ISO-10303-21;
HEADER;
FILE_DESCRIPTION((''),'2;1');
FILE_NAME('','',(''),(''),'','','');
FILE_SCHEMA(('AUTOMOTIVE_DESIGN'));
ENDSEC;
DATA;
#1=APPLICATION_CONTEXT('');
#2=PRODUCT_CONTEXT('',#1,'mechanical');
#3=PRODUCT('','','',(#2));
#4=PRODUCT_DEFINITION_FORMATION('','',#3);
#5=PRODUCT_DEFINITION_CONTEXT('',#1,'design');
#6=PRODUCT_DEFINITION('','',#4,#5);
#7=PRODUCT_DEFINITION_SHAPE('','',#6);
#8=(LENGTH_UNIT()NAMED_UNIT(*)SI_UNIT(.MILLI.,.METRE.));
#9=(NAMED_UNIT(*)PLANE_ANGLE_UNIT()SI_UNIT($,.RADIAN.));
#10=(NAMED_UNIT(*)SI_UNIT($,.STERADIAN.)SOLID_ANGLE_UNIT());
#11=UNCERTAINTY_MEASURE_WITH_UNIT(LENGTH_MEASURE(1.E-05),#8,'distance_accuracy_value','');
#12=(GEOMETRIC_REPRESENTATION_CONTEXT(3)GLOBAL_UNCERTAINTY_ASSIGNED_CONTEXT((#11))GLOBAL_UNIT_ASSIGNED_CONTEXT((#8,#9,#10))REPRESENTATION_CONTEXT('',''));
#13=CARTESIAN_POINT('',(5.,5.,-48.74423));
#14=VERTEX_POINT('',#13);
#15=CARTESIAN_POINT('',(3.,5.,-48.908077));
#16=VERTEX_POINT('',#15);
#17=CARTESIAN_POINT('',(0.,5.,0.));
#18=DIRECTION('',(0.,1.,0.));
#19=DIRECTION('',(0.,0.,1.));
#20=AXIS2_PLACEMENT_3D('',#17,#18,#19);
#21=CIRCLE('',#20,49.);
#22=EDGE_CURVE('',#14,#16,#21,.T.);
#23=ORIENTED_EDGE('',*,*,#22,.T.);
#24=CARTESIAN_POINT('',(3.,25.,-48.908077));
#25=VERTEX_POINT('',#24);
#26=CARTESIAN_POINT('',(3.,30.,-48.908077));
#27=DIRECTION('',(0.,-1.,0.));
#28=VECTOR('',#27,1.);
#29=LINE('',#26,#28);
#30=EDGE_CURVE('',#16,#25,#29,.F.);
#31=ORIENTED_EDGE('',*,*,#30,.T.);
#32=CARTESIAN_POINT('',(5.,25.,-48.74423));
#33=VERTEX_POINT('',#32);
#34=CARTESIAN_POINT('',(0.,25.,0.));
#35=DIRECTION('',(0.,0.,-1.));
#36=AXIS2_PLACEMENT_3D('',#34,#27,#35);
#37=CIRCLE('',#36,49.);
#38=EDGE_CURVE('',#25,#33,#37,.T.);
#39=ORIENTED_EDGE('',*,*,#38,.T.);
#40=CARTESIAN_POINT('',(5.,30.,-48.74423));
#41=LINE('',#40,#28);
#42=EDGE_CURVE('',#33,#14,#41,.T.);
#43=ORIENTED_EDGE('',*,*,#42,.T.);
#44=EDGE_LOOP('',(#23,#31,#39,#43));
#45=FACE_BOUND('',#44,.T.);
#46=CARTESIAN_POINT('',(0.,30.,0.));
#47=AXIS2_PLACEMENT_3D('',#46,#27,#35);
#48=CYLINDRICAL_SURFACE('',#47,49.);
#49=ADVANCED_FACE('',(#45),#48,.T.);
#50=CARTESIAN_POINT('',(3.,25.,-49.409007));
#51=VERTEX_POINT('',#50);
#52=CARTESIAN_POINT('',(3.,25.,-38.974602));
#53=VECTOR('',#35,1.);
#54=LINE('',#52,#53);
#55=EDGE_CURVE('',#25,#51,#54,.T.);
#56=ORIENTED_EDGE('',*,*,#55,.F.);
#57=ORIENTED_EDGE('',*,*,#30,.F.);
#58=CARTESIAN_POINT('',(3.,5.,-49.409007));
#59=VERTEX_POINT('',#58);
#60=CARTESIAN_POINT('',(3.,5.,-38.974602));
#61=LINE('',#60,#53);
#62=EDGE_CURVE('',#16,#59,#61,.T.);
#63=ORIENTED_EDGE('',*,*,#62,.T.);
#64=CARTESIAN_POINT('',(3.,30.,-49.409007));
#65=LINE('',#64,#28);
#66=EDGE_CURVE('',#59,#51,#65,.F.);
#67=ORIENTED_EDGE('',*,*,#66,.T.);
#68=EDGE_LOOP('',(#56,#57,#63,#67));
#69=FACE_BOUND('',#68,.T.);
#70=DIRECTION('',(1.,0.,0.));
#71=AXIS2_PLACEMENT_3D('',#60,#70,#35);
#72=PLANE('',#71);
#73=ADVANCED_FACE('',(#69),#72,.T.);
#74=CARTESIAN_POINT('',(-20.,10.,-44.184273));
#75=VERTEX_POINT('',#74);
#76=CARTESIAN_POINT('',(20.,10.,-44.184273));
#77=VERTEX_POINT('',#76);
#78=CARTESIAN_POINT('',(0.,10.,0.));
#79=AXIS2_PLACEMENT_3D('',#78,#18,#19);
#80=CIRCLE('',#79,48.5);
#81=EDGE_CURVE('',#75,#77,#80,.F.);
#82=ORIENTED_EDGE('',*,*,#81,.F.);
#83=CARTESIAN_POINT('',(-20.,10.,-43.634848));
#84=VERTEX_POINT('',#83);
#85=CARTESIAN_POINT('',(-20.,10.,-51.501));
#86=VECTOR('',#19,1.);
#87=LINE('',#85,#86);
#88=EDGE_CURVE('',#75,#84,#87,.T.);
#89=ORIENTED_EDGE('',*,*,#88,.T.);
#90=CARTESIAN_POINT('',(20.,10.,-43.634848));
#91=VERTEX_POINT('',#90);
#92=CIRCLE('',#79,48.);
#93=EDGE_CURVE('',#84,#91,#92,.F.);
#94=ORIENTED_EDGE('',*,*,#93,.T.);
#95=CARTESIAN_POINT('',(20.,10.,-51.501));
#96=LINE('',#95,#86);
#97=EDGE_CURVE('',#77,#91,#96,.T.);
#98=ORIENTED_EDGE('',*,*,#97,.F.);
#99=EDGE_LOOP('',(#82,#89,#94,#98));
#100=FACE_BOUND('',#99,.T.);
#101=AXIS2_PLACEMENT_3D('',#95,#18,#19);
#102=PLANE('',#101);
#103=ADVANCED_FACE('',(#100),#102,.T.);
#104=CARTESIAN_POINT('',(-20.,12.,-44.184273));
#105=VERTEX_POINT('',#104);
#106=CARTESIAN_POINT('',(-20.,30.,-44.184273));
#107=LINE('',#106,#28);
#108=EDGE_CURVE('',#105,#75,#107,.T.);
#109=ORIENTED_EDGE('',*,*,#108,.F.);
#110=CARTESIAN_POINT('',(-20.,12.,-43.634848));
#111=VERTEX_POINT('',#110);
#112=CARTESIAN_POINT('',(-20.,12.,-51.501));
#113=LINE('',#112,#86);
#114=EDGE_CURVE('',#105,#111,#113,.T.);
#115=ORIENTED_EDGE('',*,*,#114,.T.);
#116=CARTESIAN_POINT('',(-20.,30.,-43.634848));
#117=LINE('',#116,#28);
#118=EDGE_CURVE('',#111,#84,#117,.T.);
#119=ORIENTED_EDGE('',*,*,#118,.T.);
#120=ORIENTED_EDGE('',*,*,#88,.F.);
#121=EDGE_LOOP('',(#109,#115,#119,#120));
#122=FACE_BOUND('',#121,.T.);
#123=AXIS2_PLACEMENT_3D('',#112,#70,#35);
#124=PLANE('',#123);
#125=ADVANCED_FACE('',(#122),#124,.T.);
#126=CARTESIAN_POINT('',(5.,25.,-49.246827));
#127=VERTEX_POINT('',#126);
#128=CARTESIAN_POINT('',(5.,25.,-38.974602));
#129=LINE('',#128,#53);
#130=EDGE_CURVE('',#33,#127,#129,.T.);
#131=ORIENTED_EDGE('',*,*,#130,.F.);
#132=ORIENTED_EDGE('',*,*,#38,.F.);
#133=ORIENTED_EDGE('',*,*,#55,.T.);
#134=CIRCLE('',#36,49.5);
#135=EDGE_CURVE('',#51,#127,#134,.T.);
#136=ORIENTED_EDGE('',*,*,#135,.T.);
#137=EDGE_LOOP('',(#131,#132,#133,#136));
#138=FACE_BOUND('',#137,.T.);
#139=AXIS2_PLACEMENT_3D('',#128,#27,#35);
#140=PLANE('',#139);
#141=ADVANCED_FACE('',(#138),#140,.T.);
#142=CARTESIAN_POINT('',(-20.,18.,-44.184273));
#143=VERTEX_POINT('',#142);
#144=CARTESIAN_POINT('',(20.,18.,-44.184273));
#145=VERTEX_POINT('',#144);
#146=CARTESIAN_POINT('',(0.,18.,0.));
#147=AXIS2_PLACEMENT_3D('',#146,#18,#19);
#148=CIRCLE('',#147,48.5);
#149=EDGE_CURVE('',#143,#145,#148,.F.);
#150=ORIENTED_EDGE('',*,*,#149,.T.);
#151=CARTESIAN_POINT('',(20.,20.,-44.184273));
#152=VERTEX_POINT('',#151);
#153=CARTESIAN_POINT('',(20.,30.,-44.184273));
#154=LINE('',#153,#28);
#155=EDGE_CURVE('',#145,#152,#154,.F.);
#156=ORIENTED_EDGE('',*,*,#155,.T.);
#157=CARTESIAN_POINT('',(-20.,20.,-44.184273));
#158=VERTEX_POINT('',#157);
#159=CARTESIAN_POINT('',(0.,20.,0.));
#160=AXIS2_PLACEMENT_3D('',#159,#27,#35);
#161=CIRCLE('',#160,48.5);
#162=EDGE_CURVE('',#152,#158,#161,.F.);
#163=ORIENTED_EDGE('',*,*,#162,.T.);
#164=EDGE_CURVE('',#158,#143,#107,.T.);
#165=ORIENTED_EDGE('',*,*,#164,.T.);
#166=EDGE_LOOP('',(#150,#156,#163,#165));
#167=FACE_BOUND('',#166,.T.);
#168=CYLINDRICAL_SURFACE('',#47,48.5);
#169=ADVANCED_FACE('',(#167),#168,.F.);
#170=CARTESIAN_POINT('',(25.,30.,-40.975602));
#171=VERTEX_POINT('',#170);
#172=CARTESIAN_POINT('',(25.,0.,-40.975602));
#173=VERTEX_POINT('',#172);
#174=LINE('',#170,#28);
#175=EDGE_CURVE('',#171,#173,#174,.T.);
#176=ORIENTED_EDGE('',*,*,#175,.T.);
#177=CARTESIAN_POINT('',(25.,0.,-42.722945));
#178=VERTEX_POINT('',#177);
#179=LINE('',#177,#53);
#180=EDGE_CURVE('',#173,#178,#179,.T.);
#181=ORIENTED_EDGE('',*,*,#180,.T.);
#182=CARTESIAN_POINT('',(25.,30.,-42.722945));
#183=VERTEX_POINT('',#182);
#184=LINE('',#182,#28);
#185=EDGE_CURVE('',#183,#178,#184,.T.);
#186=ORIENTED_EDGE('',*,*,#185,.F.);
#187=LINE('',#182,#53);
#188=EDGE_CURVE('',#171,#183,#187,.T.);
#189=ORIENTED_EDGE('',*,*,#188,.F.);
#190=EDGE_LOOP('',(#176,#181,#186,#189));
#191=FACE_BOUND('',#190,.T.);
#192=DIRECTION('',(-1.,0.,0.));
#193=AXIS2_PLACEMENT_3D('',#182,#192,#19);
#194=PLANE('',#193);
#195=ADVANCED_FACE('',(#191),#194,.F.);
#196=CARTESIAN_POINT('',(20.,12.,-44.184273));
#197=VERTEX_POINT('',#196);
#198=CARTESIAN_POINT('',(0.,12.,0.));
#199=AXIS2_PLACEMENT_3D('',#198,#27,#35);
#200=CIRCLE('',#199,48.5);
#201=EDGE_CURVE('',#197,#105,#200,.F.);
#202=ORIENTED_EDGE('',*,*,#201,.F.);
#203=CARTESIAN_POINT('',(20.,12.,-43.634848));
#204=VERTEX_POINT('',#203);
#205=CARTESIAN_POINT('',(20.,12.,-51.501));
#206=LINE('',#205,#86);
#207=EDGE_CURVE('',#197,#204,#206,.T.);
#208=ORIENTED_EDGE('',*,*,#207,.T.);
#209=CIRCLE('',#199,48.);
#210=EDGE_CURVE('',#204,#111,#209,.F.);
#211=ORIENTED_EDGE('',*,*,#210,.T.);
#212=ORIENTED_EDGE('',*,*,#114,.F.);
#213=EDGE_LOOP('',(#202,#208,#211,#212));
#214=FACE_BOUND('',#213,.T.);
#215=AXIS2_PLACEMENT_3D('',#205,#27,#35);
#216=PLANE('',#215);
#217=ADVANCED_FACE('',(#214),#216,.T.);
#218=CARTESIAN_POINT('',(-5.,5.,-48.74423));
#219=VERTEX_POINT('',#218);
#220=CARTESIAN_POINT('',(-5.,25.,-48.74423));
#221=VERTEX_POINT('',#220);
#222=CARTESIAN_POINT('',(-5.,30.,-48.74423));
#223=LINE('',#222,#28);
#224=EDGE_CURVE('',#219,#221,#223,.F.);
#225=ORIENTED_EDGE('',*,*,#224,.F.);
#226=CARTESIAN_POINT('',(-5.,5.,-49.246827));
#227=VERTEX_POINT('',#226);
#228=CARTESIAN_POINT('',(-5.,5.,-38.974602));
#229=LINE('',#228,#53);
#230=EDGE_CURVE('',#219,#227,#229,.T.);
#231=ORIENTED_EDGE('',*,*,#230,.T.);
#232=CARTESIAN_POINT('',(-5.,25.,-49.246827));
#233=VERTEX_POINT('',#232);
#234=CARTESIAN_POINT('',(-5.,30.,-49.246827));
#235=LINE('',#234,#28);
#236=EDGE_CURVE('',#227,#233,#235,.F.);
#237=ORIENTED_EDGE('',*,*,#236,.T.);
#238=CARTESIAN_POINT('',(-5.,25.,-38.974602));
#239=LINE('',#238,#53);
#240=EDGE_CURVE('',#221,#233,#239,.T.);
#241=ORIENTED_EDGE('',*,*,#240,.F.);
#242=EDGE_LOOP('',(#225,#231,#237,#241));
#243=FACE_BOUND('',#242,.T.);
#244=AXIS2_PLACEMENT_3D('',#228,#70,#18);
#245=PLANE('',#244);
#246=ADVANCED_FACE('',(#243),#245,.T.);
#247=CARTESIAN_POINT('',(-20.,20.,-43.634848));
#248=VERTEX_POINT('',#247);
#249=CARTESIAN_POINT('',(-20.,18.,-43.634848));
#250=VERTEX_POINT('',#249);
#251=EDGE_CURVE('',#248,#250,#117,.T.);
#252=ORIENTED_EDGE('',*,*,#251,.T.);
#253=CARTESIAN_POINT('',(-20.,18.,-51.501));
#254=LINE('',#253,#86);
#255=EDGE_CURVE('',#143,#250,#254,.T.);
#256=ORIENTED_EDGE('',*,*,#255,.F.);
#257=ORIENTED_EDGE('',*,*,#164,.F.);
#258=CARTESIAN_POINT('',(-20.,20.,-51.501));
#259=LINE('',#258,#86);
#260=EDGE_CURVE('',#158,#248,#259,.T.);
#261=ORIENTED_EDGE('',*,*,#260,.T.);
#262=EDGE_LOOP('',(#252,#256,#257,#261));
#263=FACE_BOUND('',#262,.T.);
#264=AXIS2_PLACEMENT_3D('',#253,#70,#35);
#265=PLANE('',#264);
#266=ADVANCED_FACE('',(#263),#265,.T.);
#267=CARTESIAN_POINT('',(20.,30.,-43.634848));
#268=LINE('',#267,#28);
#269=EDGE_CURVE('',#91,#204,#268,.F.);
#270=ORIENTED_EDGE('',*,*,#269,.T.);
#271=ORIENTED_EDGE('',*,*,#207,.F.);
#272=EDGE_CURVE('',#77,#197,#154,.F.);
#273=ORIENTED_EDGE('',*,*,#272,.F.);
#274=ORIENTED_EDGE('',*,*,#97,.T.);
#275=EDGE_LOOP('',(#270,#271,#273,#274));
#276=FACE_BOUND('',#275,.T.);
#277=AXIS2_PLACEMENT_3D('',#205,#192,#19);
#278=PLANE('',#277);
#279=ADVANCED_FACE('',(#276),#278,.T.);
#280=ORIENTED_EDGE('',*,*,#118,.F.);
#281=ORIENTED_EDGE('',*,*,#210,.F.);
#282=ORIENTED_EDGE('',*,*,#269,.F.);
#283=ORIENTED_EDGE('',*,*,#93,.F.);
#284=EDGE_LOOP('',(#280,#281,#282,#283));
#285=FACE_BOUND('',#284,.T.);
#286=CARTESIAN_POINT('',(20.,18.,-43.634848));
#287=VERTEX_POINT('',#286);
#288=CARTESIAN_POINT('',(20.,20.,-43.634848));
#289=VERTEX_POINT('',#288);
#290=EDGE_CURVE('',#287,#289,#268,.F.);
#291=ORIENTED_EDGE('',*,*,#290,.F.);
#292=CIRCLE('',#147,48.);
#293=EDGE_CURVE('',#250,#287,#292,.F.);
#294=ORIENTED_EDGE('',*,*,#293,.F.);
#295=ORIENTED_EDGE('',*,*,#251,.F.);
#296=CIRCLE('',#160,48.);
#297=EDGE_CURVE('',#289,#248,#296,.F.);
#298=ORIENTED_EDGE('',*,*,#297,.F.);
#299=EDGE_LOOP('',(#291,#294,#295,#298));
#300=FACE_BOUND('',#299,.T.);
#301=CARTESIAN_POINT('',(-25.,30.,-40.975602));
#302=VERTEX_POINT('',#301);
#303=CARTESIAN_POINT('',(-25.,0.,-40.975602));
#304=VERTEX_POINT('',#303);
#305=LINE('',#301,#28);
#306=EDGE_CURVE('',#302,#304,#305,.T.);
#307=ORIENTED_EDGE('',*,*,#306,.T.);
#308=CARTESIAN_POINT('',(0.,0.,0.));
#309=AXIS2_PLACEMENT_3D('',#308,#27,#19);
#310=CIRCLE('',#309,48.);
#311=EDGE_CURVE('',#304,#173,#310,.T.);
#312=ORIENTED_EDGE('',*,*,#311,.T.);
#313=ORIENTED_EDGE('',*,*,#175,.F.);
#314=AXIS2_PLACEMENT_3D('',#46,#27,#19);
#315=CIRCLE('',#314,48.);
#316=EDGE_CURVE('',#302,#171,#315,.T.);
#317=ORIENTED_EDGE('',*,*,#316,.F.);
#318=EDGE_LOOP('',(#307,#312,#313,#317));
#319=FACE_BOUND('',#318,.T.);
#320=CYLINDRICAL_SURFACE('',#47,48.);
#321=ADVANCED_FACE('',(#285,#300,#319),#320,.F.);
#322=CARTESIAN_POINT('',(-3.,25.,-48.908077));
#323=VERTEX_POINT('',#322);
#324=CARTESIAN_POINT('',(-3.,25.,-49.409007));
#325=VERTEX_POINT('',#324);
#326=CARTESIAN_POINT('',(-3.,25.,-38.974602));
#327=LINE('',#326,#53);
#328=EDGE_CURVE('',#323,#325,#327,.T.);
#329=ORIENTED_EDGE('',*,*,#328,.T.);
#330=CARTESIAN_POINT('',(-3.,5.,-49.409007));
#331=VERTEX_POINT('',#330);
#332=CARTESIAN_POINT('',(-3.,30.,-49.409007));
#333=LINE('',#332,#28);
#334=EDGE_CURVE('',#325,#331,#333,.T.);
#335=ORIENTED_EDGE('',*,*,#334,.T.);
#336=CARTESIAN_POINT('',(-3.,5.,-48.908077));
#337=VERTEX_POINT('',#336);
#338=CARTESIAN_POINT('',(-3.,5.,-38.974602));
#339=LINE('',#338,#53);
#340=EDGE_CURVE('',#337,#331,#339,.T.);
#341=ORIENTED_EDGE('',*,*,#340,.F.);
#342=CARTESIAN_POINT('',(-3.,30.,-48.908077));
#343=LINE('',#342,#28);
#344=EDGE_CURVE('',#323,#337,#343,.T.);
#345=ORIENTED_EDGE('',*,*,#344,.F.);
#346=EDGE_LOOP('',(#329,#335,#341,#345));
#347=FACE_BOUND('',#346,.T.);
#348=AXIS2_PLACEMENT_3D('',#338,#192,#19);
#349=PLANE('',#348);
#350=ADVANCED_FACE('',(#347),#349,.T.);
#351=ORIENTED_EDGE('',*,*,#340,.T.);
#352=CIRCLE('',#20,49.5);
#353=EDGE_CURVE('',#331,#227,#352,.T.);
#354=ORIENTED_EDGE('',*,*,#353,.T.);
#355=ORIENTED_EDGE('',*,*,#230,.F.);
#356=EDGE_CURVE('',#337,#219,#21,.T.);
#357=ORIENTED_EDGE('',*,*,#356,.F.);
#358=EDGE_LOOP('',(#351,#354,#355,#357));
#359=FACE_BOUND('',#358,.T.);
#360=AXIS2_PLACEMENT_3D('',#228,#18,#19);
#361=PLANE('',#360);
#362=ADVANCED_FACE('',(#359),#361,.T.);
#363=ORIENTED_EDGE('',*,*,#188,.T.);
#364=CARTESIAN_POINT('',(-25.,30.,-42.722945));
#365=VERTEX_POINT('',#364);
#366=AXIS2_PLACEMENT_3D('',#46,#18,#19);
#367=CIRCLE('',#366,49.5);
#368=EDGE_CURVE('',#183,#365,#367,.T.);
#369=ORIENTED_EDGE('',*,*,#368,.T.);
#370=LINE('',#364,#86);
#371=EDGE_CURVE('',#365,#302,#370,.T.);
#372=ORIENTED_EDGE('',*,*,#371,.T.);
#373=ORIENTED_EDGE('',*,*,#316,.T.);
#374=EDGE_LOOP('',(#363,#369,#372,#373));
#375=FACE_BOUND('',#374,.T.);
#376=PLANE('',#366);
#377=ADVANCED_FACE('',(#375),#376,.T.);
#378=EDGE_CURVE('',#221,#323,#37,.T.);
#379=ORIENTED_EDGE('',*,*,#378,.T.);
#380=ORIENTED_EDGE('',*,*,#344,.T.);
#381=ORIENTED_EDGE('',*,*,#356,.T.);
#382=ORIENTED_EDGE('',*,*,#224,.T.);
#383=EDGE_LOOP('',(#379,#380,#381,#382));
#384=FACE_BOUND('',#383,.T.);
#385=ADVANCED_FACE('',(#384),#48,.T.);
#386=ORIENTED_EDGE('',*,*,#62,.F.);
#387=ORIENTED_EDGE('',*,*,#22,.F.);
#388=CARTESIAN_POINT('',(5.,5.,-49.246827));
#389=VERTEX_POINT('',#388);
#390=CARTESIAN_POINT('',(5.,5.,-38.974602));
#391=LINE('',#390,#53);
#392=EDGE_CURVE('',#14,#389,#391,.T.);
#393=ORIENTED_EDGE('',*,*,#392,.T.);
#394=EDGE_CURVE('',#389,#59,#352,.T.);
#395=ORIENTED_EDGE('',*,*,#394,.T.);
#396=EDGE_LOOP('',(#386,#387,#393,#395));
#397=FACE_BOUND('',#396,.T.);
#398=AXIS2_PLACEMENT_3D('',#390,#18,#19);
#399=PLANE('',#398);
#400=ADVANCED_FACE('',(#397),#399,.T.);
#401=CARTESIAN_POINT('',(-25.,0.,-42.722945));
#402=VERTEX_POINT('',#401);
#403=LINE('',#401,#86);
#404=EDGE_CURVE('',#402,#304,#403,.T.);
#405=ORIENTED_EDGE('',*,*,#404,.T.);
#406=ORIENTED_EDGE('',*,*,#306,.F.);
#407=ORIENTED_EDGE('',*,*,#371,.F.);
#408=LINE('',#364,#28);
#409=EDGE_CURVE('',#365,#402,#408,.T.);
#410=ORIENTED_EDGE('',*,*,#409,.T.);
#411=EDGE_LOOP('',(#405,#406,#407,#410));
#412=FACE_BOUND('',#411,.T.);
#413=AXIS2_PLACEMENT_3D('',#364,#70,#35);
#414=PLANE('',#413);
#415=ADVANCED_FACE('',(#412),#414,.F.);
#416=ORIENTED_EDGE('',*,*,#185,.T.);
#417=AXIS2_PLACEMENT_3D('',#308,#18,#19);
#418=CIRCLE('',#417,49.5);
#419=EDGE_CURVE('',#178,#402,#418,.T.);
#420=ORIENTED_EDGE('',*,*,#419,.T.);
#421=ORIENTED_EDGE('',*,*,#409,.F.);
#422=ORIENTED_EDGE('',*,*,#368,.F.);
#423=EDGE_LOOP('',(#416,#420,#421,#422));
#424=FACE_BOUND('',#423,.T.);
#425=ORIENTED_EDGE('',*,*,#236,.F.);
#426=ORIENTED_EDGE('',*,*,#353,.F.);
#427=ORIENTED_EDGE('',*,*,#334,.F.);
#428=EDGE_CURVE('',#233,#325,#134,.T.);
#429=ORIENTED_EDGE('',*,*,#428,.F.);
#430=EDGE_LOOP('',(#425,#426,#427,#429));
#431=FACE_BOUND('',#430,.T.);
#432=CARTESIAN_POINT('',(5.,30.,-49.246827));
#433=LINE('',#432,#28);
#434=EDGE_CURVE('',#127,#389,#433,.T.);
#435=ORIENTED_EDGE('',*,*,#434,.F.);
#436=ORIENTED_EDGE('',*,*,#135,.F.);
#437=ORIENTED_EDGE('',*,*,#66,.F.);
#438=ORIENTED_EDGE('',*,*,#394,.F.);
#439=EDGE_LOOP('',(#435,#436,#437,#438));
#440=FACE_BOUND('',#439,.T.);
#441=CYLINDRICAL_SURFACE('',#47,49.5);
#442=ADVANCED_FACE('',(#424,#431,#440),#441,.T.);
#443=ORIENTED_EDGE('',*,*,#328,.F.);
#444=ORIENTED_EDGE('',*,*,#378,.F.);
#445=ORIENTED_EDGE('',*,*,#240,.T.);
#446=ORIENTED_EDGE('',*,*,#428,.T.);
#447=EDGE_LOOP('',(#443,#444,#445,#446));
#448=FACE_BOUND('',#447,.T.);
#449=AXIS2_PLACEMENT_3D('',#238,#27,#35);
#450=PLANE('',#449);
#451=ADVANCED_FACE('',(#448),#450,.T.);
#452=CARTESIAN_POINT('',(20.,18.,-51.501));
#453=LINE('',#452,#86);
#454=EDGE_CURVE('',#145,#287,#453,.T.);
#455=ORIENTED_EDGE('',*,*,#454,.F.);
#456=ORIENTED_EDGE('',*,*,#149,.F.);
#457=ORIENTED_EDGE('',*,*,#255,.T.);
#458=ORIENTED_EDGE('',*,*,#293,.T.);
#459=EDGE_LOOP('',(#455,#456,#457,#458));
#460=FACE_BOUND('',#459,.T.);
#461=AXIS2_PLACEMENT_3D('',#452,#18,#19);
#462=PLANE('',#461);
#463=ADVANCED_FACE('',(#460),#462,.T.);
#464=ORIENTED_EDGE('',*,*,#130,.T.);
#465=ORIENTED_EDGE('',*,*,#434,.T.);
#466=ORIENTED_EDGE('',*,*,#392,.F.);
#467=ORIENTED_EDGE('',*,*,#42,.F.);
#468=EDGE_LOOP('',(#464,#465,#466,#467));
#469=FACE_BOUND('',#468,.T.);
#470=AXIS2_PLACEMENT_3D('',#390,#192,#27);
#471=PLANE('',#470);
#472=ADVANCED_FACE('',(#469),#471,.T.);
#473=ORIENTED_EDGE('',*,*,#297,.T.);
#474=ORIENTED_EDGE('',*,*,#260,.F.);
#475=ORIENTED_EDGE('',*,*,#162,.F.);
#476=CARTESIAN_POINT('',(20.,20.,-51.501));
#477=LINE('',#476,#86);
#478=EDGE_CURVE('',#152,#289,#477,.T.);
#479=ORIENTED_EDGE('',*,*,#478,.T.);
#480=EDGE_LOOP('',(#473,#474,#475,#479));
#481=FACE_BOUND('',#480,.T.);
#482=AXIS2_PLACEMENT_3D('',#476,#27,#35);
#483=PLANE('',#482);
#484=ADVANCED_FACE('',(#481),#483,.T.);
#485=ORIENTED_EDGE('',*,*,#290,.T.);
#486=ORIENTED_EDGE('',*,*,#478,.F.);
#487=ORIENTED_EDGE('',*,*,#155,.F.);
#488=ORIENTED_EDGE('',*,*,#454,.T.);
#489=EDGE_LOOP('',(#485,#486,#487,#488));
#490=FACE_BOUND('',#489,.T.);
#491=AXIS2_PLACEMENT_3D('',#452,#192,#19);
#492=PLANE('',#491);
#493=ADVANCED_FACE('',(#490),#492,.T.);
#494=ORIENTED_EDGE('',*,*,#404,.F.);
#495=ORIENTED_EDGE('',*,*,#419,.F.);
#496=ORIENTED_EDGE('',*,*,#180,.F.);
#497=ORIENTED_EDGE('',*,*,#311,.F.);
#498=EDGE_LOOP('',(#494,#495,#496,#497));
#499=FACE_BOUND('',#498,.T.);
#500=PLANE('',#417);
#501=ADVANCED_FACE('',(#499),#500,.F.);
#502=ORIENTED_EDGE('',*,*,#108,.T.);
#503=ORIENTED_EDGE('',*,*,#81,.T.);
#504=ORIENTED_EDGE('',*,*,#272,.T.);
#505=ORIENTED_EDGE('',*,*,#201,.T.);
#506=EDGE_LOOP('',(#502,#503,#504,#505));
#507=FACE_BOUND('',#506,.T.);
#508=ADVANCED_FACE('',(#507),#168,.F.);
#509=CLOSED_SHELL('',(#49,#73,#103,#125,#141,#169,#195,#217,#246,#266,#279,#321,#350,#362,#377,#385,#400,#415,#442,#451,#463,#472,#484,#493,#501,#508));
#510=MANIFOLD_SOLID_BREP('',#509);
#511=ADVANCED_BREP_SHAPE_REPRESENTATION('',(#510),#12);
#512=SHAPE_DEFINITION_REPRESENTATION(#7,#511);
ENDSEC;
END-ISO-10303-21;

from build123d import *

# Parameters (mm, degrees)
BOSS_EXTRUDE1_DEPTH      = 30
CUT_EXTRUDE28_REACH      = 65.05
CUT_EXTRUDE28_END_RADIUS = 48.5
SKETCH3_W                = 40
SKETCH3_H                = 2
CUT_EXTRUDE29_REACH      = 45.439
CUT_EXTRUDE29_END_RADIUS = 49
SKETCH5_W                = 2
SKETCH5_H                = 20


with BuildPart() as part:
    # Sketch2 → Boss-Extrude1 (new body)
    with BuildSketch(Plane(origin=(0, 0, 0), x_dir=(1, 0, 0), z_dir=(0, 1, 0))):
        with BuildLine():
            Line((-25, 42.722944655), (-25, 40.975602497))
            ThreePointArc((-25, 40.975602497), (0, 48), (25, 40.975602497))
            Line((25, 40.975602497), (25, 42.722944655))
            ThreePointArc((25, 42.722944655), (0, 49.5), (-25, 42.722944655))
        make_face()
    extrude(amount=BOSS_EXTRUDE1_DEPTH)

    # Cut-Extrude28: up to this cylinder (the profile starts inside it)
    cut_extrude28_end = Plane(origin=(0, 15, 0), z_dir=(0, -1, 0)) * Cylinder(CUT_EXTRUDE28_END_RADIUS, 236.1, mode=Mode.PRIVATE)
    # Sketch3 → Cut-Extrude28 (cut, up to the surface)
    with BuildSketch(Plane(origin=(0, 0, 0), x_dir=(-1, 0, 0), z_dir=(0, 0, -1)), mode=Mode.PRIVATE) as cut_extrude28_sk1:
        with Locations((0, 19)):
            Rectangle(SKETCH3_W, SKETCH3_H)
    cut_extrude28_tool1 = extrude(cut_extrude28_sk1.sketch, amount=CUT_EXTRUDE28_REACH, mode=Mode.PRIVATE) & cut_extrude28_end
    add(cut_extrude28_tool1.solids().sort_by_distance((0, 19, 0))[0], mode=Mode.SUBTRACT)
    # Sketch3 → Cut-Extrude28 (cut, up to the surface)
    with BuildSketch(Plane(origin=(0, 0, 0), x_dir=(-1, 0, 0), z_dir=(0, 0, -1)), mode=Mode.PRIVATE) as cut_extrude28_sk2:
        with Locations((0, 11)):
            Rectangle(SKETCH3_W, SKETCH3_H)
    cut_extrude28_tool2 = extrude(cut_extrude28_sk2.sketch, amount=CUT_EXTRUDE28_REACH, mode=Mode.PRIVATE) & cut_extrude28_end
    add(cut_extrude28_tool2.solids().sort_by_distance((0, 11, 0))[0], mode=Mode.SUBTRACT)

    # Cut-Extrude29: up to this cylinder (the profile starts outside it)
    cut_extrude29_end = Plane(origin=(0, 15, 0), z_dir=(0, -1, 0)) * Cylinder(CUT_EXTRUDE29_END_RADIUS, 189.878, mode=Mode.PRIVATE)
    # Sketch5 → Cut-Extrude29 (cut, up to the surface)
    with BuildSketch(Plane.XY.offset(-60), mode=Mode.PRIVATE) as cut_extrude29_sk1:
        with Locations((-4, 15)):
            Rectangle(SKETCH5_W, SKETCH5_H)
    cut_extrude29_tool1 = extrude(cut_extrude29_sk1.sketch, amount=CUT_EXTRUDE29_REACH, mode=Mode.PRIVATE) - cut_extrude29_end
    add(cut_extrude29_tool1.solids().sort_by_distance((-4, 15, -60))[0], mode=Mode.SUBTRACT)
    # Sketch5 → Cut-Extrude29 (cut, up to the surface)
    with BuildSketch(Plane.XY.offset(-60), mode=Mode.PRIVATE) as cut_extrude29_sk2:
        with Locations((4, 15)):
            Rectangle(SKETCH5_W, SKETCH5_H)
    cut_extrude29_tool2 = extrude(cut_extrude29_sk2.sketch, amount=CUT_EXTRUDE29_REACH, mode=Mode.PRIVATE) - cut_extrude29_end
    add(cut_extrude29_tool2.solids().sort_by_distance((4, 15, -60))[0], mode=Mode.SUBTRACT)


solid = part.part
